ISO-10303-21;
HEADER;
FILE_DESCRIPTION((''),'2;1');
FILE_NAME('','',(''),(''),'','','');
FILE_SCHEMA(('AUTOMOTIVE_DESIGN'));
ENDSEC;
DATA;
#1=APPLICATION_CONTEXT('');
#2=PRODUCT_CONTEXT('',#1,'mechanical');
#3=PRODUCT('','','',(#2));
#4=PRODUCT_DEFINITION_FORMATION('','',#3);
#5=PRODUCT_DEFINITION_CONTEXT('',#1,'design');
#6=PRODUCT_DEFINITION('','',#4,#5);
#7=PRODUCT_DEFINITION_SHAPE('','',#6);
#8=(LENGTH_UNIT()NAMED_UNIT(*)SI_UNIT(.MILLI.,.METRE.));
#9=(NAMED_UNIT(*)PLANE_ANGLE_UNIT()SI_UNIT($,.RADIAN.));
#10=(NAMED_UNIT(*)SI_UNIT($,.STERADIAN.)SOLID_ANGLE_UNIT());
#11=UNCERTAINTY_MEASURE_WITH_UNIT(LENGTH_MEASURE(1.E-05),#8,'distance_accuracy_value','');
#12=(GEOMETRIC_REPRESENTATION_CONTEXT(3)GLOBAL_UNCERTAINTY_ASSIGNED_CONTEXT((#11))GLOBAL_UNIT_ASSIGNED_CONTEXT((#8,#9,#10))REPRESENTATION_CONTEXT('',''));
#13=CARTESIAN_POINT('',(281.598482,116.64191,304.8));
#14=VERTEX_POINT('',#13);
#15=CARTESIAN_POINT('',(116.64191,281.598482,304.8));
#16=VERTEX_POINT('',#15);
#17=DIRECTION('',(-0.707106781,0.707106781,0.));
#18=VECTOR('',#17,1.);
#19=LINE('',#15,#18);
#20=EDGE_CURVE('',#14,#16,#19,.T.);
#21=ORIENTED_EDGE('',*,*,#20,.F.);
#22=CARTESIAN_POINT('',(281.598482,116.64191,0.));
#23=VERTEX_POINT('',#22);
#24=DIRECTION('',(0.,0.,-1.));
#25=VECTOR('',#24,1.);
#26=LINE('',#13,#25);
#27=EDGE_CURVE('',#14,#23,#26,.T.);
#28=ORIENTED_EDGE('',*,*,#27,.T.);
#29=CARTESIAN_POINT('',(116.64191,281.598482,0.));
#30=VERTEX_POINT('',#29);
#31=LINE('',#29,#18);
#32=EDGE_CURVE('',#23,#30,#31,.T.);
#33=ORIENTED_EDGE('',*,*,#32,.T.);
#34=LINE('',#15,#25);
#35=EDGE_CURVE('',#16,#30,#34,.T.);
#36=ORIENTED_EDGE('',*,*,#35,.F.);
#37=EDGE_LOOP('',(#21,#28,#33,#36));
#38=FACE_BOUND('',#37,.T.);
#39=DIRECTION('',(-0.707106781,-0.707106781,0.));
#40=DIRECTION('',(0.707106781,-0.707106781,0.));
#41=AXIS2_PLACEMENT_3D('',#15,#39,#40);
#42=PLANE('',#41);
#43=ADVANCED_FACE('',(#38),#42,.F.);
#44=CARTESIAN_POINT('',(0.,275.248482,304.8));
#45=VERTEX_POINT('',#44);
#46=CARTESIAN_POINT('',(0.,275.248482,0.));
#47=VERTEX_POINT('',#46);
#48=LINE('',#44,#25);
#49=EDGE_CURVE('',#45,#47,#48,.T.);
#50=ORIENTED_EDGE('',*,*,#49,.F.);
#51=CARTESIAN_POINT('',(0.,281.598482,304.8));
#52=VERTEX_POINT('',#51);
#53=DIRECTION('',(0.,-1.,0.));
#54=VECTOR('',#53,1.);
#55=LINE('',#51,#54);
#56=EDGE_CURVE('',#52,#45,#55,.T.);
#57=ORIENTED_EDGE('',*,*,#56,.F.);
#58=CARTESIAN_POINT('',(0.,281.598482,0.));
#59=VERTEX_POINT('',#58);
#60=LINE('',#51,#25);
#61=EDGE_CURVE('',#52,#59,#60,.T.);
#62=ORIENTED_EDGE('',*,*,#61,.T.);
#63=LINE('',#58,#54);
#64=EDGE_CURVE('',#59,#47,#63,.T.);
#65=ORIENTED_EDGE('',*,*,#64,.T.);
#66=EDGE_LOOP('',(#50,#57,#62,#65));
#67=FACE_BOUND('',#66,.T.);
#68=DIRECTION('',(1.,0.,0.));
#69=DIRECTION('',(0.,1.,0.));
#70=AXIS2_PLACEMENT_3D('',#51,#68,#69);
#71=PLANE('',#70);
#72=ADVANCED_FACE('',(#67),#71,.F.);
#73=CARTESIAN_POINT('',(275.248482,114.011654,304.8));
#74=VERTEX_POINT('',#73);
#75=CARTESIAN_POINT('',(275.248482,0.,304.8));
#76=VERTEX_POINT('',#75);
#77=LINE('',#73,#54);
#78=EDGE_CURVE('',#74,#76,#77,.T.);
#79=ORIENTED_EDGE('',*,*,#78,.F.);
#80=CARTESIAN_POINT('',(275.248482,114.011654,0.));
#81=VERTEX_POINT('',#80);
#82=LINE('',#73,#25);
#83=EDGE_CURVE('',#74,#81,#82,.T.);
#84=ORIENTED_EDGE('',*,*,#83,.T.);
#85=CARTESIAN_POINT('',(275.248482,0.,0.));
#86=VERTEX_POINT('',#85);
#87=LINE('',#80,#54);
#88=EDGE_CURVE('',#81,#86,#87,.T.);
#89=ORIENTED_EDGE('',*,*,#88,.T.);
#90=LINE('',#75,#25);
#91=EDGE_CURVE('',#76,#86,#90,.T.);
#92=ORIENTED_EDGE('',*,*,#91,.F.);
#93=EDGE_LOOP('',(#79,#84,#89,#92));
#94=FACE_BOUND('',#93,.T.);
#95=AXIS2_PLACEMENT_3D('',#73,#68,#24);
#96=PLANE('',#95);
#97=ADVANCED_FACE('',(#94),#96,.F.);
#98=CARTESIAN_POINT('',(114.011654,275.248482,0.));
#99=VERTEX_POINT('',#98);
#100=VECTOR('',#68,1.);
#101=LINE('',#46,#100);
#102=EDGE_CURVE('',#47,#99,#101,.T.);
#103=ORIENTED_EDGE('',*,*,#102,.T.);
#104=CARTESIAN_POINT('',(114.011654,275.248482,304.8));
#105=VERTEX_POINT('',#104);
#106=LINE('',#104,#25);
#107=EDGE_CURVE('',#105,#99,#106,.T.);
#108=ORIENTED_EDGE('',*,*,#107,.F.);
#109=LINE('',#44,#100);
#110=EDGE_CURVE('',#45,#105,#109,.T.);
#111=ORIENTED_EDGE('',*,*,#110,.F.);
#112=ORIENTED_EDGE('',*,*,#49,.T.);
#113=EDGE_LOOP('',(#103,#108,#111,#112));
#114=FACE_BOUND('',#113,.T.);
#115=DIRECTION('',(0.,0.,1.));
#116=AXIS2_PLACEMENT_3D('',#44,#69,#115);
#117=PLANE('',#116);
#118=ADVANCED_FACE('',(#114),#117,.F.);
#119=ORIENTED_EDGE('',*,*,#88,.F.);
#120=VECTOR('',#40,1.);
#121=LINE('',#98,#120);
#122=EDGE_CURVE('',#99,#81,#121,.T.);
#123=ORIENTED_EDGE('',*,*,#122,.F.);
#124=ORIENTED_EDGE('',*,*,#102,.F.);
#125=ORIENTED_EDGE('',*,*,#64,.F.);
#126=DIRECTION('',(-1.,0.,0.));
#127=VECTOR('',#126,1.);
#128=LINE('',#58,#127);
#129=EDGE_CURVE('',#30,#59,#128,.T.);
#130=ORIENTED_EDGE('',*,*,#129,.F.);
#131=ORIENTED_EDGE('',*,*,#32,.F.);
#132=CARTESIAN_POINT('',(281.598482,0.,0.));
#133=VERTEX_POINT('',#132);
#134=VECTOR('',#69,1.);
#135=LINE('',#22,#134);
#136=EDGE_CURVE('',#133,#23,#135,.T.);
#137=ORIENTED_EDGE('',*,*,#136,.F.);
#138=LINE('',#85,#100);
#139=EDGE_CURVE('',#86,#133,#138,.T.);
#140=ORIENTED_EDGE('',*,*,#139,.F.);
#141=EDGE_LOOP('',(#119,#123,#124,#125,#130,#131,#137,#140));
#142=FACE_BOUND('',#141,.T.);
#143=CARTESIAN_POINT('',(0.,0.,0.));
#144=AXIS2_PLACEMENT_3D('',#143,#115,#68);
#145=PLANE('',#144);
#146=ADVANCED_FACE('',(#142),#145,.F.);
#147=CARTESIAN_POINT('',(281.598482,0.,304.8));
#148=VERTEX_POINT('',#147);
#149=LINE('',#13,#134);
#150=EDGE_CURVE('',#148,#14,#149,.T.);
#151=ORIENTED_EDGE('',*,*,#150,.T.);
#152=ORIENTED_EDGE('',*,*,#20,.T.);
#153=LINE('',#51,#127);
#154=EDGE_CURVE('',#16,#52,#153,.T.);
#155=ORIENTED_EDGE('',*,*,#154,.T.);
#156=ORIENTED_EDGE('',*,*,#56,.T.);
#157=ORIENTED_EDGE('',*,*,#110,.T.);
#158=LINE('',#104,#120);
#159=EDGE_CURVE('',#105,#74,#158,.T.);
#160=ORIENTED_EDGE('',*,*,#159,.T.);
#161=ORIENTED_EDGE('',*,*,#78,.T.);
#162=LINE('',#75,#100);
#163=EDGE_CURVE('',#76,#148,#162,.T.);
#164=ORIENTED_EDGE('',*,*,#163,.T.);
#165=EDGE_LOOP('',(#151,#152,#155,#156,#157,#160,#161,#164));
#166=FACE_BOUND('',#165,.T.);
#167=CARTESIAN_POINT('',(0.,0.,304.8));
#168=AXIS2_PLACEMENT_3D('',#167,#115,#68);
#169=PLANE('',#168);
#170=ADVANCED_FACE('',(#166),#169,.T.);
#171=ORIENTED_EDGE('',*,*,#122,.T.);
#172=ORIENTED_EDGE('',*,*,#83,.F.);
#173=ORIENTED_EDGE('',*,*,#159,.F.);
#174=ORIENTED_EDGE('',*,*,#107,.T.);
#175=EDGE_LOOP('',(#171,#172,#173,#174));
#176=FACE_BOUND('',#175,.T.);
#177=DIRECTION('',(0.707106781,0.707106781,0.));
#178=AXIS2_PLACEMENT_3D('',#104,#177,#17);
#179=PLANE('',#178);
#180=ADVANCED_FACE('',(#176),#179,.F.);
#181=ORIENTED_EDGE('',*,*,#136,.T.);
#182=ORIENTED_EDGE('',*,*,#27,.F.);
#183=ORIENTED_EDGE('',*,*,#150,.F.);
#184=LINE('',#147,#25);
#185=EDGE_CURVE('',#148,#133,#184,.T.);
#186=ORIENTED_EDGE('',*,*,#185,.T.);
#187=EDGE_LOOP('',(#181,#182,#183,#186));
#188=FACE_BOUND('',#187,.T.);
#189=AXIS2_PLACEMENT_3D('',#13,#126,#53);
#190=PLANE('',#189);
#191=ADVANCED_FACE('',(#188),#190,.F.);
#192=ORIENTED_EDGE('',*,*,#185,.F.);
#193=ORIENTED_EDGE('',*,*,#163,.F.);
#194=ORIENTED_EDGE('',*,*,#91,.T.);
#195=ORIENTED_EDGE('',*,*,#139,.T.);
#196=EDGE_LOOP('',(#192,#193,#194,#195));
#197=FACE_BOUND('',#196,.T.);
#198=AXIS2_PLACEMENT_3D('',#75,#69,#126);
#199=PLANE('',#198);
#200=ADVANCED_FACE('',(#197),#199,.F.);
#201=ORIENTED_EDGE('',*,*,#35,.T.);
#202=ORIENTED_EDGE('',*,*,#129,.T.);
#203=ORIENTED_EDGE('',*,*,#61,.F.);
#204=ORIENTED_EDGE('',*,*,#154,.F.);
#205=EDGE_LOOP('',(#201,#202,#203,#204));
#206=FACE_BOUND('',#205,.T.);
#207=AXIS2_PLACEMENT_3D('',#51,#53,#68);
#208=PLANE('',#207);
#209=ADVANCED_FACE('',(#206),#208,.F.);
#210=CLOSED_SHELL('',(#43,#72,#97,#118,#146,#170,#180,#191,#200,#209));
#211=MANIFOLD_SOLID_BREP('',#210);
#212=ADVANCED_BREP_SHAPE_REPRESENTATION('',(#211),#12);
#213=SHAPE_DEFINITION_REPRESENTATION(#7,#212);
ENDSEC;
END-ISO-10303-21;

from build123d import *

# Parameters (mm, degrees)
BOSS_EXTRUDE1_DEPTH = 304.8


with BuildPart() as part:
    # Sketch1 → Boss-Extrude1 (new body)
    with BuildSketch(Plane.XY):
        Polygon((0, 281.598481509), (116.641910185, 281.598481509), (281.598481509, 116.641910185), (281.598481509, 0), (275.248481509, 0), (275.248481509, 114.011654064), (114.011654064, 275.248481509), (0, 275.248481509), align=None)
    extrude(amount=BOSS_EXTRUDE1_DEPTH)


solid = part.part
